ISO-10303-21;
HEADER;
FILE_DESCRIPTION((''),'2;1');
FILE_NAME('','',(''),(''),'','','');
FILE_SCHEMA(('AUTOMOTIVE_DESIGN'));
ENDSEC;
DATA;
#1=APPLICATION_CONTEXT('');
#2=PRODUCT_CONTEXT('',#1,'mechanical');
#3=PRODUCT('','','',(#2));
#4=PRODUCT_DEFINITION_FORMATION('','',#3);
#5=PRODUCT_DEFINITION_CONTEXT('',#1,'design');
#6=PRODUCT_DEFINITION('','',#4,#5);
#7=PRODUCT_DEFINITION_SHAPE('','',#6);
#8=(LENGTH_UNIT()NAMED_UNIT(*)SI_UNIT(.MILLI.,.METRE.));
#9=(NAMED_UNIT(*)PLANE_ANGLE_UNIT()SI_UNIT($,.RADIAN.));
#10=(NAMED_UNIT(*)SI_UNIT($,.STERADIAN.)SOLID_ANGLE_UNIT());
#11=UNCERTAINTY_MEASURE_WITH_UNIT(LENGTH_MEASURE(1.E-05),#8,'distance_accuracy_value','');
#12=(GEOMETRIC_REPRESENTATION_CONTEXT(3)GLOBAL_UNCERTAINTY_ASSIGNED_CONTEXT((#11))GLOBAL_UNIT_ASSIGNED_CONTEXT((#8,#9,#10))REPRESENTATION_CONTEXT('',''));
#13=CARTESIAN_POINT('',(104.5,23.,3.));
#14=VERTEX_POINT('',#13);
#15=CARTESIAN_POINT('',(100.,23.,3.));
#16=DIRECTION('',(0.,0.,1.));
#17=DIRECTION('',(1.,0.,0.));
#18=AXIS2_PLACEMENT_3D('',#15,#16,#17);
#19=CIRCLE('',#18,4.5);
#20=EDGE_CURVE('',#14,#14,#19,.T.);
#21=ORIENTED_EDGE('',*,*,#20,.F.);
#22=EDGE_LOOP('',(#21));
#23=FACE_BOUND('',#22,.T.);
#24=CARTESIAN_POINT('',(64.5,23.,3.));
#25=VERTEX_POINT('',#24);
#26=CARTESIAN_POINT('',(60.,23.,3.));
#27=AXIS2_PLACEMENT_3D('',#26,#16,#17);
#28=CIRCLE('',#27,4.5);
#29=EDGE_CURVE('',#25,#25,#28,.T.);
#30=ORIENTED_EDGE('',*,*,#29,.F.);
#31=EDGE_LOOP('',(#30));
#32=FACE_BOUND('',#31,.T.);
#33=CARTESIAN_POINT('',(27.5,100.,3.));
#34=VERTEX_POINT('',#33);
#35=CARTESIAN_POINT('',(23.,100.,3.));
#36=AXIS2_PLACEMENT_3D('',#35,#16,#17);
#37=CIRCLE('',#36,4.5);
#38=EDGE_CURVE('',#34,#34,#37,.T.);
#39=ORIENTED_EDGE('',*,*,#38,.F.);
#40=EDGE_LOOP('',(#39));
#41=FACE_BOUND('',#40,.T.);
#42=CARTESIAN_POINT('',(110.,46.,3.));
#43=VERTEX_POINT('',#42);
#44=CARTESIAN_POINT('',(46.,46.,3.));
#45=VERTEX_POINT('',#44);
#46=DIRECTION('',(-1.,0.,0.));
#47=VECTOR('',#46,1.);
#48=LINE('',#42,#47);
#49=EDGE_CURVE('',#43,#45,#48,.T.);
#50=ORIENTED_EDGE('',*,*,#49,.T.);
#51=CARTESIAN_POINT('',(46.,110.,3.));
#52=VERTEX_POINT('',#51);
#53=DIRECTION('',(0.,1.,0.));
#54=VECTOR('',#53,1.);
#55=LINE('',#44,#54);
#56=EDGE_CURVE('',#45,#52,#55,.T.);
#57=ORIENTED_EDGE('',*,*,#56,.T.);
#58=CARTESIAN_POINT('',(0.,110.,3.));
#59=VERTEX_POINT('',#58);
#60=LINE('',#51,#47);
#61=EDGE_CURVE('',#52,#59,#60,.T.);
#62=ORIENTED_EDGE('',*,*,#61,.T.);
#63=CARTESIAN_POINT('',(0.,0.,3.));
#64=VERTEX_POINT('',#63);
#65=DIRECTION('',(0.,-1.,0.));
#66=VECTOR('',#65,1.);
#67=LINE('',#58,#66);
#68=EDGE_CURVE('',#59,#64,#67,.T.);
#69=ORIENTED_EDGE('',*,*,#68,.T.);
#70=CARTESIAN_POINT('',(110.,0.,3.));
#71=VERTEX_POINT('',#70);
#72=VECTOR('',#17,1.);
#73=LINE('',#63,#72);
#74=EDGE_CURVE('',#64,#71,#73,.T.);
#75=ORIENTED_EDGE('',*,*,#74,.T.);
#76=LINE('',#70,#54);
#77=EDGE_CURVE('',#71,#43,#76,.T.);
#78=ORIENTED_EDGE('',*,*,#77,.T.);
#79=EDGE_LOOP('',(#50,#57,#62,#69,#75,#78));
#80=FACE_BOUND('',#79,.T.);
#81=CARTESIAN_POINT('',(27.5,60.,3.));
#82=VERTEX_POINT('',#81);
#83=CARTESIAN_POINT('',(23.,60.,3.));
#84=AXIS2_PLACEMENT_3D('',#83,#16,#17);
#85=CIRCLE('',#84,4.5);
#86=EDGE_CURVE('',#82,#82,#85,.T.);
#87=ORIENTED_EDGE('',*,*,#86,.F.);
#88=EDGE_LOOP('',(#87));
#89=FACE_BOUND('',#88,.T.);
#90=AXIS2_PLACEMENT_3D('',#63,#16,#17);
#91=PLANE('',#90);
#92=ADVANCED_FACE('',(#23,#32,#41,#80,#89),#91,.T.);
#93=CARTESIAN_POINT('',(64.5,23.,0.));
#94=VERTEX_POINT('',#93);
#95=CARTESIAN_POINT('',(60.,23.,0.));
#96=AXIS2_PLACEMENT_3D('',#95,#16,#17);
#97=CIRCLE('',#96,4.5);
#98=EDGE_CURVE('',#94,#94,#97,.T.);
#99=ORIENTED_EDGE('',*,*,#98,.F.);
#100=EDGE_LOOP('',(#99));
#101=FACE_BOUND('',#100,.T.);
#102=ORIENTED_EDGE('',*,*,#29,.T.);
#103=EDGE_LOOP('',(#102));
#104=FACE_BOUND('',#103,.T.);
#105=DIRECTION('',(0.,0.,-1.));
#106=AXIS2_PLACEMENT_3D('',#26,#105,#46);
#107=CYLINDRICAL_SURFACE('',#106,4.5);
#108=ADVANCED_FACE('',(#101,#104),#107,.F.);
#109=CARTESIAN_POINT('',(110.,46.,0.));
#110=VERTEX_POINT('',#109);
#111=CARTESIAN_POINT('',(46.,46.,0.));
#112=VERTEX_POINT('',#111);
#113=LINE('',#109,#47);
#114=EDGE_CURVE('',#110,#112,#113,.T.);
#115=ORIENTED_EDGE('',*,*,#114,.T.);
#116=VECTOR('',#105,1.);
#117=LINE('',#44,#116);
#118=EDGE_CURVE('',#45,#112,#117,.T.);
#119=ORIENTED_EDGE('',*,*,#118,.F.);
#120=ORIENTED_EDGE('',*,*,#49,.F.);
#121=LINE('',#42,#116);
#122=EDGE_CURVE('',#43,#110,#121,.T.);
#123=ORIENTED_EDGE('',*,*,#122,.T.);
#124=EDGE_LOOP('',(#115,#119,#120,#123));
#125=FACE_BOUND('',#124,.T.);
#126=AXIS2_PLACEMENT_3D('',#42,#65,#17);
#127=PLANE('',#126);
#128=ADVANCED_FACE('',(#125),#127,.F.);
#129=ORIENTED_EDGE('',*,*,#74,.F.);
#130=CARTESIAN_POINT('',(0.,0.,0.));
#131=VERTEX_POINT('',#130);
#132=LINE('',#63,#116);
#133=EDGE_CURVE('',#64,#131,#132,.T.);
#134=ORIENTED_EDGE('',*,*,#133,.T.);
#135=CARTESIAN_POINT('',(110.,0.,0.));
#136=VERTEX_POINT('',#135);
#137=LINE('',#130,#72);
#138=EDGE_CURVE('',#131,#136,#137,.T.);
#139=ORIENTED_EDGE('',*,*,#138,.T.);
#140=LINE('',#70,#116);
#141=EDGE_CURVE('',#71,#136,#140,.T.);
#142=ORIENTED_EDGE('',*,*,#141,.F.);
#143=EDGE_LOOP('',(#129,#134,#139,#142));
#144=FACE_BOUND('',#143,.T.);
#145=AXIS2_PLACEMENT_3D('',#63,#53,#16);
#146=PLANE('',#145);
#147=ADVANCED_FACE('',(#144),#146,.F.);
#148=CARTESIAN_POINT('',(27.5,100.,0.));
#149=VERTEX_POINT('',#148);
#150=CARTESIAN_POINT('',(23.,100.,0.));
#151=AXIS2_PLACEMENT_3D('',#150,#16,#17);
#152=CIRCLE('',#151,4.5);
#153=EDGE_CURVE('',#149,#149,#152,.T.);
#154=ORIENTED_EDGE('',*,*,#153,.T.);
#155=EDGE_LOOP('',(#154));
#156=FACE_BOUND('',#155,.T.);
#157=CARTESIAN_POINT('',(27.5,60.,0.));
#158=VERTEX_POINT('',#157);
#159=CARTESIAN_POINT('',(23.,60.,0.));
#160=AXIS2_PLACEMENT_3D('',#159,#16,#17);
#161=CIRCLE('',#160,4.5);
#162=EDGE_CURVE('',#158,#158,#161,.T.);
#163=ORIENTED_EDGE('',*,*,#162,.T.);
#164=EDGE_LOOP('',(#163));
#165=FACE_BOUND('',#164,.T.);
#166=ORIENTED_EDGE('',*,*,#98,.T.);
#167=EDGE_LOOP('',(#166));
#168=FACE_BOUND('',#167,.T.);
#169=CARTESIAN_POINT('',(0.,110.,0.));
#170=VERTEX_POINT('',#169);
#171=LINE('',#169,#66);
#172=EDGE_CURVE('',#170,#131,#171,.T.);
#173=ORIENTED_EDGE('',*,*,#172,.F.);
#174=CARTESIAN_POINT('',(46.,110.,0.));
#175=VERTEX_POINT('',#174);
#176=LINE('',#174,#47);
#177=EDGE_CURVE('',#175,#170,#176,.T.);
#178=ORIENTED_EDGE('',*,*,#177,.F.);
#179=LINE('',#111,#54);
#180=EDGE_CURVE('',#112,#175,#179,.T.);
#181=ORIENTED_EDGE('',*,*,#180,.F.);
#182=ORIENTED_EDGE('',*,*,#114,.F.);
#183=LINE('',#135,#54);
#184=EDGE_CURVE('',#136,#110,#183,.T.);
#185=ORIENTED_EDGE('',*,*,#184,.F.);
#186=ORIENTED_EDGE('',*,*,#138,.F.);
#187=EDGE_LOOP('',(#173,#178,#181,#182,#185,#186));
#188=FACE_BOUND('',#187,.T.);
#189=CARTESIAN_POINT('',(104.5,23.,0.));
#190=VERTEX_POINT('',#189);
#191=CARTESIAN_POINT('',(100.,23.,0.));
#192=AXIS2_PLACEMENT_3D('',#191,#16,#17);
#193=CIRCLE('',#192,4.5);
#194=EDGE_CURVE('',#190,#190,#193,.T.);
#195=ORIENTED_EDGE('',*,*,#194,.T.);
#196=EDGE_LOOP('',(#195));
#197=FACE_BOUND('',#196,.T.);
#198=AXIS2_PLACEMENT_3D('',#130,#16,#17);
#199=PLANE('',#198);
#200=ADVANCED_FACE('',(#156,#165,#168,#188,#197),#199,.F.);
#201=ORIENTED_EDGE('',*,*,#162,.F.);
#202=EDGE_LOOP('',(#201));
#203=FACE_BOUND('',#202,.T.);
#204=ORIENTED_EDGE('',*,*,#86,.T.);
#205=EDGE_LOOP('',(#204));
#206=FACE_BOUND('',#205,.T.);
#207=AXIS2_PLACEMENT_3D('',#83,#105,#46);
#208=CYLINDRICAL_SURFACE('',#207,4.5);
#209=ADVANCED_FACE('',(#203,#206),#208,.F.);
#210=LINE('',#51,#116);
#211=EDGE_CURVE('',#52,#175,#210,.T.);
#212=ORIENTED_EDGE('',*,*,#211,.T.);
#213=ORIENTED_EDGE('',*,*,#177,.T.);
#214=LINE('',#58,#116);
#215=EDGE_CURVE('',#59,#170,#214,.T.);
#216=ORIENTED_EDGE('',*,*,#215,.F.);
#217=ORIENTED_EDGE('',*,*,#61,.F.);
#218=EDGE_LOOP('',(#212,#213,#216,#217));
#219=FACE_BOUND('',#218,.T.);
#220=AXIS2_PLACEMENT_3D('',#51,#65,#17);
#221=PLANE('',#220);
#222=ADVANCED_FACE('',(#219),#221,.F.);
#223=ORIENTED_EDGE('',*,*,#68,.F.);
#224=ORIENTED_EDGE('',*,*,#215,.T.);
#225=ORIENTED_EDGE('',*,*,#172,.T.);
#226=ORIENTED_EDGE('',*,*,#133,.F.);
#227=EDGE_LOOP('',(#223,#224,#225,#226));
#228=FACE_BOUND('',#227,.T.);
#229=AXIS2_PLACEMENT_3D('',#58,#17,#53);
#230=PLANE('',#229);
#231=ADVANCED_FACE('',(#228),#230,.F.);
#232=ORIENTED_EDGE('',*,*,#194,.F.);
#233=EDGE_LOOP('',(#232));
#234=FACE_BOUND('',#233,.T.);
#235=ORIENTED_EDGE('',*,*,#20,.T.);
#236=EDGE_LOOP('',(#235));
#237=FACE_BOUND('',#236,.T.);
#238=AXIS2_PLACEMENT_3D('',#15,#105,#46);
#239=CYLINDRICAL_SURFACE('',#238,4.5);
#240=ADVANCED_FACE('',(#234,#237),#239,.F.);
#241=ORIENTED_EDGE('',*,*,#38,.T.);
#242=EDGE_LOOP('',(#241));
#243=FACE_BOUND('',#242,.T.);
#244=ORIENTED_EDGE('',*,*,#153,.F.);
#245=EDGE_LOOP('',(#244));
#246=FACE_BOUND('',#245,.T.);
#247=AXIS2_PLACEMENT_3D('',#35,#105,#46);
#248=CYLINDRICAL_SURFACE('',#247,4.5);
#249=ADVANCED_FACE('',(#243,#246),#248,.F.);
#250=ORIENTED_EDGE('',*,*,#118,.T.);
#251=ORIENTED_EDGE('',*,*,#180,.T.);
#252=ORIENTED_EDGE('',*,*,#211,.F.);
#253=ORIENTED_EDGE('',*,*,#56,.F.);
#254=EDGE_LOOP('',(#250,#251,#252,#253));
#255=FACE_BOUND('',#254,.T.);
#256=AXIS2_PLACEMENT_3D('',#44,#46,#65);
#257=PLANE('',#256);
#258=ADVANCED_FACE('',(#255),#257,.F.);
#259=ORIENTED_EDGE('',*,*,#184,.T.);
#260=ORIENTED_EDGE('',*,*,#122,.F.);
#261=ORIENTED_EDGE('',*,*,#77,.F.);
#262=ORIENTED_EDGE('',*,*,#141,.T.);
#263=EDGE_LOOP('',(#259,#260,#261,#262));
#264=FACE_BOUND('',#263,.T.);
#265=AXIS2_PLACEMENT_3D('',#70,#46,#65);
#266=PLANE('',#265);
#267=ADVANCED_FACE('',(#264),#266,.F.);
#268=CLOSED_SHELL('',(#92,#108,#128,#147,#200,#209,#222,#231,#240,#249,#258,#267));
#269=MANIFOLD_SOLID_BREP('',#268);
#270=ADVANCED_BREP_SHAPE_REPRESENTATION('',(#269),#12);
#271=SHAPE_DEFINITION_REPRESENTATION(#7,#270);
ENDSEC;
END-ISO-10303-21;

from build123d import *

# Parameters (mm, degrees)
SKETCH_1_R      = 4.5
EXTRUDE_1_DEPTH = 3


with BuildPart() as part:
    # Эскиз1 → Бобышка-Вытянуть1 (new body)
    with BuildSketch(Plane.XY):
        Polygon((0, 110), (0, 0), (110, 0), (110, 46), (46, 46), (46, 110), align=None)
        with Locations((23, 100)):
            Circle(SKETCH_1_R, mode=Mode.SUBTRACT)
        with Locations((23, 60)):
            Circle(SKETCH_1_R, mode=Mode.SUBTRACT)
        with Locations((60, 23)):
            Circle(SKETCH_1_R, mode=Mode.SUBTRACT)
        with Locations((100, 23)):
            Circle(SKETCH_1_R, mode=Mode.SUBTRACT)
    extrude(amount=EXTRUDE_1_DEPTH)


solid = part.part
